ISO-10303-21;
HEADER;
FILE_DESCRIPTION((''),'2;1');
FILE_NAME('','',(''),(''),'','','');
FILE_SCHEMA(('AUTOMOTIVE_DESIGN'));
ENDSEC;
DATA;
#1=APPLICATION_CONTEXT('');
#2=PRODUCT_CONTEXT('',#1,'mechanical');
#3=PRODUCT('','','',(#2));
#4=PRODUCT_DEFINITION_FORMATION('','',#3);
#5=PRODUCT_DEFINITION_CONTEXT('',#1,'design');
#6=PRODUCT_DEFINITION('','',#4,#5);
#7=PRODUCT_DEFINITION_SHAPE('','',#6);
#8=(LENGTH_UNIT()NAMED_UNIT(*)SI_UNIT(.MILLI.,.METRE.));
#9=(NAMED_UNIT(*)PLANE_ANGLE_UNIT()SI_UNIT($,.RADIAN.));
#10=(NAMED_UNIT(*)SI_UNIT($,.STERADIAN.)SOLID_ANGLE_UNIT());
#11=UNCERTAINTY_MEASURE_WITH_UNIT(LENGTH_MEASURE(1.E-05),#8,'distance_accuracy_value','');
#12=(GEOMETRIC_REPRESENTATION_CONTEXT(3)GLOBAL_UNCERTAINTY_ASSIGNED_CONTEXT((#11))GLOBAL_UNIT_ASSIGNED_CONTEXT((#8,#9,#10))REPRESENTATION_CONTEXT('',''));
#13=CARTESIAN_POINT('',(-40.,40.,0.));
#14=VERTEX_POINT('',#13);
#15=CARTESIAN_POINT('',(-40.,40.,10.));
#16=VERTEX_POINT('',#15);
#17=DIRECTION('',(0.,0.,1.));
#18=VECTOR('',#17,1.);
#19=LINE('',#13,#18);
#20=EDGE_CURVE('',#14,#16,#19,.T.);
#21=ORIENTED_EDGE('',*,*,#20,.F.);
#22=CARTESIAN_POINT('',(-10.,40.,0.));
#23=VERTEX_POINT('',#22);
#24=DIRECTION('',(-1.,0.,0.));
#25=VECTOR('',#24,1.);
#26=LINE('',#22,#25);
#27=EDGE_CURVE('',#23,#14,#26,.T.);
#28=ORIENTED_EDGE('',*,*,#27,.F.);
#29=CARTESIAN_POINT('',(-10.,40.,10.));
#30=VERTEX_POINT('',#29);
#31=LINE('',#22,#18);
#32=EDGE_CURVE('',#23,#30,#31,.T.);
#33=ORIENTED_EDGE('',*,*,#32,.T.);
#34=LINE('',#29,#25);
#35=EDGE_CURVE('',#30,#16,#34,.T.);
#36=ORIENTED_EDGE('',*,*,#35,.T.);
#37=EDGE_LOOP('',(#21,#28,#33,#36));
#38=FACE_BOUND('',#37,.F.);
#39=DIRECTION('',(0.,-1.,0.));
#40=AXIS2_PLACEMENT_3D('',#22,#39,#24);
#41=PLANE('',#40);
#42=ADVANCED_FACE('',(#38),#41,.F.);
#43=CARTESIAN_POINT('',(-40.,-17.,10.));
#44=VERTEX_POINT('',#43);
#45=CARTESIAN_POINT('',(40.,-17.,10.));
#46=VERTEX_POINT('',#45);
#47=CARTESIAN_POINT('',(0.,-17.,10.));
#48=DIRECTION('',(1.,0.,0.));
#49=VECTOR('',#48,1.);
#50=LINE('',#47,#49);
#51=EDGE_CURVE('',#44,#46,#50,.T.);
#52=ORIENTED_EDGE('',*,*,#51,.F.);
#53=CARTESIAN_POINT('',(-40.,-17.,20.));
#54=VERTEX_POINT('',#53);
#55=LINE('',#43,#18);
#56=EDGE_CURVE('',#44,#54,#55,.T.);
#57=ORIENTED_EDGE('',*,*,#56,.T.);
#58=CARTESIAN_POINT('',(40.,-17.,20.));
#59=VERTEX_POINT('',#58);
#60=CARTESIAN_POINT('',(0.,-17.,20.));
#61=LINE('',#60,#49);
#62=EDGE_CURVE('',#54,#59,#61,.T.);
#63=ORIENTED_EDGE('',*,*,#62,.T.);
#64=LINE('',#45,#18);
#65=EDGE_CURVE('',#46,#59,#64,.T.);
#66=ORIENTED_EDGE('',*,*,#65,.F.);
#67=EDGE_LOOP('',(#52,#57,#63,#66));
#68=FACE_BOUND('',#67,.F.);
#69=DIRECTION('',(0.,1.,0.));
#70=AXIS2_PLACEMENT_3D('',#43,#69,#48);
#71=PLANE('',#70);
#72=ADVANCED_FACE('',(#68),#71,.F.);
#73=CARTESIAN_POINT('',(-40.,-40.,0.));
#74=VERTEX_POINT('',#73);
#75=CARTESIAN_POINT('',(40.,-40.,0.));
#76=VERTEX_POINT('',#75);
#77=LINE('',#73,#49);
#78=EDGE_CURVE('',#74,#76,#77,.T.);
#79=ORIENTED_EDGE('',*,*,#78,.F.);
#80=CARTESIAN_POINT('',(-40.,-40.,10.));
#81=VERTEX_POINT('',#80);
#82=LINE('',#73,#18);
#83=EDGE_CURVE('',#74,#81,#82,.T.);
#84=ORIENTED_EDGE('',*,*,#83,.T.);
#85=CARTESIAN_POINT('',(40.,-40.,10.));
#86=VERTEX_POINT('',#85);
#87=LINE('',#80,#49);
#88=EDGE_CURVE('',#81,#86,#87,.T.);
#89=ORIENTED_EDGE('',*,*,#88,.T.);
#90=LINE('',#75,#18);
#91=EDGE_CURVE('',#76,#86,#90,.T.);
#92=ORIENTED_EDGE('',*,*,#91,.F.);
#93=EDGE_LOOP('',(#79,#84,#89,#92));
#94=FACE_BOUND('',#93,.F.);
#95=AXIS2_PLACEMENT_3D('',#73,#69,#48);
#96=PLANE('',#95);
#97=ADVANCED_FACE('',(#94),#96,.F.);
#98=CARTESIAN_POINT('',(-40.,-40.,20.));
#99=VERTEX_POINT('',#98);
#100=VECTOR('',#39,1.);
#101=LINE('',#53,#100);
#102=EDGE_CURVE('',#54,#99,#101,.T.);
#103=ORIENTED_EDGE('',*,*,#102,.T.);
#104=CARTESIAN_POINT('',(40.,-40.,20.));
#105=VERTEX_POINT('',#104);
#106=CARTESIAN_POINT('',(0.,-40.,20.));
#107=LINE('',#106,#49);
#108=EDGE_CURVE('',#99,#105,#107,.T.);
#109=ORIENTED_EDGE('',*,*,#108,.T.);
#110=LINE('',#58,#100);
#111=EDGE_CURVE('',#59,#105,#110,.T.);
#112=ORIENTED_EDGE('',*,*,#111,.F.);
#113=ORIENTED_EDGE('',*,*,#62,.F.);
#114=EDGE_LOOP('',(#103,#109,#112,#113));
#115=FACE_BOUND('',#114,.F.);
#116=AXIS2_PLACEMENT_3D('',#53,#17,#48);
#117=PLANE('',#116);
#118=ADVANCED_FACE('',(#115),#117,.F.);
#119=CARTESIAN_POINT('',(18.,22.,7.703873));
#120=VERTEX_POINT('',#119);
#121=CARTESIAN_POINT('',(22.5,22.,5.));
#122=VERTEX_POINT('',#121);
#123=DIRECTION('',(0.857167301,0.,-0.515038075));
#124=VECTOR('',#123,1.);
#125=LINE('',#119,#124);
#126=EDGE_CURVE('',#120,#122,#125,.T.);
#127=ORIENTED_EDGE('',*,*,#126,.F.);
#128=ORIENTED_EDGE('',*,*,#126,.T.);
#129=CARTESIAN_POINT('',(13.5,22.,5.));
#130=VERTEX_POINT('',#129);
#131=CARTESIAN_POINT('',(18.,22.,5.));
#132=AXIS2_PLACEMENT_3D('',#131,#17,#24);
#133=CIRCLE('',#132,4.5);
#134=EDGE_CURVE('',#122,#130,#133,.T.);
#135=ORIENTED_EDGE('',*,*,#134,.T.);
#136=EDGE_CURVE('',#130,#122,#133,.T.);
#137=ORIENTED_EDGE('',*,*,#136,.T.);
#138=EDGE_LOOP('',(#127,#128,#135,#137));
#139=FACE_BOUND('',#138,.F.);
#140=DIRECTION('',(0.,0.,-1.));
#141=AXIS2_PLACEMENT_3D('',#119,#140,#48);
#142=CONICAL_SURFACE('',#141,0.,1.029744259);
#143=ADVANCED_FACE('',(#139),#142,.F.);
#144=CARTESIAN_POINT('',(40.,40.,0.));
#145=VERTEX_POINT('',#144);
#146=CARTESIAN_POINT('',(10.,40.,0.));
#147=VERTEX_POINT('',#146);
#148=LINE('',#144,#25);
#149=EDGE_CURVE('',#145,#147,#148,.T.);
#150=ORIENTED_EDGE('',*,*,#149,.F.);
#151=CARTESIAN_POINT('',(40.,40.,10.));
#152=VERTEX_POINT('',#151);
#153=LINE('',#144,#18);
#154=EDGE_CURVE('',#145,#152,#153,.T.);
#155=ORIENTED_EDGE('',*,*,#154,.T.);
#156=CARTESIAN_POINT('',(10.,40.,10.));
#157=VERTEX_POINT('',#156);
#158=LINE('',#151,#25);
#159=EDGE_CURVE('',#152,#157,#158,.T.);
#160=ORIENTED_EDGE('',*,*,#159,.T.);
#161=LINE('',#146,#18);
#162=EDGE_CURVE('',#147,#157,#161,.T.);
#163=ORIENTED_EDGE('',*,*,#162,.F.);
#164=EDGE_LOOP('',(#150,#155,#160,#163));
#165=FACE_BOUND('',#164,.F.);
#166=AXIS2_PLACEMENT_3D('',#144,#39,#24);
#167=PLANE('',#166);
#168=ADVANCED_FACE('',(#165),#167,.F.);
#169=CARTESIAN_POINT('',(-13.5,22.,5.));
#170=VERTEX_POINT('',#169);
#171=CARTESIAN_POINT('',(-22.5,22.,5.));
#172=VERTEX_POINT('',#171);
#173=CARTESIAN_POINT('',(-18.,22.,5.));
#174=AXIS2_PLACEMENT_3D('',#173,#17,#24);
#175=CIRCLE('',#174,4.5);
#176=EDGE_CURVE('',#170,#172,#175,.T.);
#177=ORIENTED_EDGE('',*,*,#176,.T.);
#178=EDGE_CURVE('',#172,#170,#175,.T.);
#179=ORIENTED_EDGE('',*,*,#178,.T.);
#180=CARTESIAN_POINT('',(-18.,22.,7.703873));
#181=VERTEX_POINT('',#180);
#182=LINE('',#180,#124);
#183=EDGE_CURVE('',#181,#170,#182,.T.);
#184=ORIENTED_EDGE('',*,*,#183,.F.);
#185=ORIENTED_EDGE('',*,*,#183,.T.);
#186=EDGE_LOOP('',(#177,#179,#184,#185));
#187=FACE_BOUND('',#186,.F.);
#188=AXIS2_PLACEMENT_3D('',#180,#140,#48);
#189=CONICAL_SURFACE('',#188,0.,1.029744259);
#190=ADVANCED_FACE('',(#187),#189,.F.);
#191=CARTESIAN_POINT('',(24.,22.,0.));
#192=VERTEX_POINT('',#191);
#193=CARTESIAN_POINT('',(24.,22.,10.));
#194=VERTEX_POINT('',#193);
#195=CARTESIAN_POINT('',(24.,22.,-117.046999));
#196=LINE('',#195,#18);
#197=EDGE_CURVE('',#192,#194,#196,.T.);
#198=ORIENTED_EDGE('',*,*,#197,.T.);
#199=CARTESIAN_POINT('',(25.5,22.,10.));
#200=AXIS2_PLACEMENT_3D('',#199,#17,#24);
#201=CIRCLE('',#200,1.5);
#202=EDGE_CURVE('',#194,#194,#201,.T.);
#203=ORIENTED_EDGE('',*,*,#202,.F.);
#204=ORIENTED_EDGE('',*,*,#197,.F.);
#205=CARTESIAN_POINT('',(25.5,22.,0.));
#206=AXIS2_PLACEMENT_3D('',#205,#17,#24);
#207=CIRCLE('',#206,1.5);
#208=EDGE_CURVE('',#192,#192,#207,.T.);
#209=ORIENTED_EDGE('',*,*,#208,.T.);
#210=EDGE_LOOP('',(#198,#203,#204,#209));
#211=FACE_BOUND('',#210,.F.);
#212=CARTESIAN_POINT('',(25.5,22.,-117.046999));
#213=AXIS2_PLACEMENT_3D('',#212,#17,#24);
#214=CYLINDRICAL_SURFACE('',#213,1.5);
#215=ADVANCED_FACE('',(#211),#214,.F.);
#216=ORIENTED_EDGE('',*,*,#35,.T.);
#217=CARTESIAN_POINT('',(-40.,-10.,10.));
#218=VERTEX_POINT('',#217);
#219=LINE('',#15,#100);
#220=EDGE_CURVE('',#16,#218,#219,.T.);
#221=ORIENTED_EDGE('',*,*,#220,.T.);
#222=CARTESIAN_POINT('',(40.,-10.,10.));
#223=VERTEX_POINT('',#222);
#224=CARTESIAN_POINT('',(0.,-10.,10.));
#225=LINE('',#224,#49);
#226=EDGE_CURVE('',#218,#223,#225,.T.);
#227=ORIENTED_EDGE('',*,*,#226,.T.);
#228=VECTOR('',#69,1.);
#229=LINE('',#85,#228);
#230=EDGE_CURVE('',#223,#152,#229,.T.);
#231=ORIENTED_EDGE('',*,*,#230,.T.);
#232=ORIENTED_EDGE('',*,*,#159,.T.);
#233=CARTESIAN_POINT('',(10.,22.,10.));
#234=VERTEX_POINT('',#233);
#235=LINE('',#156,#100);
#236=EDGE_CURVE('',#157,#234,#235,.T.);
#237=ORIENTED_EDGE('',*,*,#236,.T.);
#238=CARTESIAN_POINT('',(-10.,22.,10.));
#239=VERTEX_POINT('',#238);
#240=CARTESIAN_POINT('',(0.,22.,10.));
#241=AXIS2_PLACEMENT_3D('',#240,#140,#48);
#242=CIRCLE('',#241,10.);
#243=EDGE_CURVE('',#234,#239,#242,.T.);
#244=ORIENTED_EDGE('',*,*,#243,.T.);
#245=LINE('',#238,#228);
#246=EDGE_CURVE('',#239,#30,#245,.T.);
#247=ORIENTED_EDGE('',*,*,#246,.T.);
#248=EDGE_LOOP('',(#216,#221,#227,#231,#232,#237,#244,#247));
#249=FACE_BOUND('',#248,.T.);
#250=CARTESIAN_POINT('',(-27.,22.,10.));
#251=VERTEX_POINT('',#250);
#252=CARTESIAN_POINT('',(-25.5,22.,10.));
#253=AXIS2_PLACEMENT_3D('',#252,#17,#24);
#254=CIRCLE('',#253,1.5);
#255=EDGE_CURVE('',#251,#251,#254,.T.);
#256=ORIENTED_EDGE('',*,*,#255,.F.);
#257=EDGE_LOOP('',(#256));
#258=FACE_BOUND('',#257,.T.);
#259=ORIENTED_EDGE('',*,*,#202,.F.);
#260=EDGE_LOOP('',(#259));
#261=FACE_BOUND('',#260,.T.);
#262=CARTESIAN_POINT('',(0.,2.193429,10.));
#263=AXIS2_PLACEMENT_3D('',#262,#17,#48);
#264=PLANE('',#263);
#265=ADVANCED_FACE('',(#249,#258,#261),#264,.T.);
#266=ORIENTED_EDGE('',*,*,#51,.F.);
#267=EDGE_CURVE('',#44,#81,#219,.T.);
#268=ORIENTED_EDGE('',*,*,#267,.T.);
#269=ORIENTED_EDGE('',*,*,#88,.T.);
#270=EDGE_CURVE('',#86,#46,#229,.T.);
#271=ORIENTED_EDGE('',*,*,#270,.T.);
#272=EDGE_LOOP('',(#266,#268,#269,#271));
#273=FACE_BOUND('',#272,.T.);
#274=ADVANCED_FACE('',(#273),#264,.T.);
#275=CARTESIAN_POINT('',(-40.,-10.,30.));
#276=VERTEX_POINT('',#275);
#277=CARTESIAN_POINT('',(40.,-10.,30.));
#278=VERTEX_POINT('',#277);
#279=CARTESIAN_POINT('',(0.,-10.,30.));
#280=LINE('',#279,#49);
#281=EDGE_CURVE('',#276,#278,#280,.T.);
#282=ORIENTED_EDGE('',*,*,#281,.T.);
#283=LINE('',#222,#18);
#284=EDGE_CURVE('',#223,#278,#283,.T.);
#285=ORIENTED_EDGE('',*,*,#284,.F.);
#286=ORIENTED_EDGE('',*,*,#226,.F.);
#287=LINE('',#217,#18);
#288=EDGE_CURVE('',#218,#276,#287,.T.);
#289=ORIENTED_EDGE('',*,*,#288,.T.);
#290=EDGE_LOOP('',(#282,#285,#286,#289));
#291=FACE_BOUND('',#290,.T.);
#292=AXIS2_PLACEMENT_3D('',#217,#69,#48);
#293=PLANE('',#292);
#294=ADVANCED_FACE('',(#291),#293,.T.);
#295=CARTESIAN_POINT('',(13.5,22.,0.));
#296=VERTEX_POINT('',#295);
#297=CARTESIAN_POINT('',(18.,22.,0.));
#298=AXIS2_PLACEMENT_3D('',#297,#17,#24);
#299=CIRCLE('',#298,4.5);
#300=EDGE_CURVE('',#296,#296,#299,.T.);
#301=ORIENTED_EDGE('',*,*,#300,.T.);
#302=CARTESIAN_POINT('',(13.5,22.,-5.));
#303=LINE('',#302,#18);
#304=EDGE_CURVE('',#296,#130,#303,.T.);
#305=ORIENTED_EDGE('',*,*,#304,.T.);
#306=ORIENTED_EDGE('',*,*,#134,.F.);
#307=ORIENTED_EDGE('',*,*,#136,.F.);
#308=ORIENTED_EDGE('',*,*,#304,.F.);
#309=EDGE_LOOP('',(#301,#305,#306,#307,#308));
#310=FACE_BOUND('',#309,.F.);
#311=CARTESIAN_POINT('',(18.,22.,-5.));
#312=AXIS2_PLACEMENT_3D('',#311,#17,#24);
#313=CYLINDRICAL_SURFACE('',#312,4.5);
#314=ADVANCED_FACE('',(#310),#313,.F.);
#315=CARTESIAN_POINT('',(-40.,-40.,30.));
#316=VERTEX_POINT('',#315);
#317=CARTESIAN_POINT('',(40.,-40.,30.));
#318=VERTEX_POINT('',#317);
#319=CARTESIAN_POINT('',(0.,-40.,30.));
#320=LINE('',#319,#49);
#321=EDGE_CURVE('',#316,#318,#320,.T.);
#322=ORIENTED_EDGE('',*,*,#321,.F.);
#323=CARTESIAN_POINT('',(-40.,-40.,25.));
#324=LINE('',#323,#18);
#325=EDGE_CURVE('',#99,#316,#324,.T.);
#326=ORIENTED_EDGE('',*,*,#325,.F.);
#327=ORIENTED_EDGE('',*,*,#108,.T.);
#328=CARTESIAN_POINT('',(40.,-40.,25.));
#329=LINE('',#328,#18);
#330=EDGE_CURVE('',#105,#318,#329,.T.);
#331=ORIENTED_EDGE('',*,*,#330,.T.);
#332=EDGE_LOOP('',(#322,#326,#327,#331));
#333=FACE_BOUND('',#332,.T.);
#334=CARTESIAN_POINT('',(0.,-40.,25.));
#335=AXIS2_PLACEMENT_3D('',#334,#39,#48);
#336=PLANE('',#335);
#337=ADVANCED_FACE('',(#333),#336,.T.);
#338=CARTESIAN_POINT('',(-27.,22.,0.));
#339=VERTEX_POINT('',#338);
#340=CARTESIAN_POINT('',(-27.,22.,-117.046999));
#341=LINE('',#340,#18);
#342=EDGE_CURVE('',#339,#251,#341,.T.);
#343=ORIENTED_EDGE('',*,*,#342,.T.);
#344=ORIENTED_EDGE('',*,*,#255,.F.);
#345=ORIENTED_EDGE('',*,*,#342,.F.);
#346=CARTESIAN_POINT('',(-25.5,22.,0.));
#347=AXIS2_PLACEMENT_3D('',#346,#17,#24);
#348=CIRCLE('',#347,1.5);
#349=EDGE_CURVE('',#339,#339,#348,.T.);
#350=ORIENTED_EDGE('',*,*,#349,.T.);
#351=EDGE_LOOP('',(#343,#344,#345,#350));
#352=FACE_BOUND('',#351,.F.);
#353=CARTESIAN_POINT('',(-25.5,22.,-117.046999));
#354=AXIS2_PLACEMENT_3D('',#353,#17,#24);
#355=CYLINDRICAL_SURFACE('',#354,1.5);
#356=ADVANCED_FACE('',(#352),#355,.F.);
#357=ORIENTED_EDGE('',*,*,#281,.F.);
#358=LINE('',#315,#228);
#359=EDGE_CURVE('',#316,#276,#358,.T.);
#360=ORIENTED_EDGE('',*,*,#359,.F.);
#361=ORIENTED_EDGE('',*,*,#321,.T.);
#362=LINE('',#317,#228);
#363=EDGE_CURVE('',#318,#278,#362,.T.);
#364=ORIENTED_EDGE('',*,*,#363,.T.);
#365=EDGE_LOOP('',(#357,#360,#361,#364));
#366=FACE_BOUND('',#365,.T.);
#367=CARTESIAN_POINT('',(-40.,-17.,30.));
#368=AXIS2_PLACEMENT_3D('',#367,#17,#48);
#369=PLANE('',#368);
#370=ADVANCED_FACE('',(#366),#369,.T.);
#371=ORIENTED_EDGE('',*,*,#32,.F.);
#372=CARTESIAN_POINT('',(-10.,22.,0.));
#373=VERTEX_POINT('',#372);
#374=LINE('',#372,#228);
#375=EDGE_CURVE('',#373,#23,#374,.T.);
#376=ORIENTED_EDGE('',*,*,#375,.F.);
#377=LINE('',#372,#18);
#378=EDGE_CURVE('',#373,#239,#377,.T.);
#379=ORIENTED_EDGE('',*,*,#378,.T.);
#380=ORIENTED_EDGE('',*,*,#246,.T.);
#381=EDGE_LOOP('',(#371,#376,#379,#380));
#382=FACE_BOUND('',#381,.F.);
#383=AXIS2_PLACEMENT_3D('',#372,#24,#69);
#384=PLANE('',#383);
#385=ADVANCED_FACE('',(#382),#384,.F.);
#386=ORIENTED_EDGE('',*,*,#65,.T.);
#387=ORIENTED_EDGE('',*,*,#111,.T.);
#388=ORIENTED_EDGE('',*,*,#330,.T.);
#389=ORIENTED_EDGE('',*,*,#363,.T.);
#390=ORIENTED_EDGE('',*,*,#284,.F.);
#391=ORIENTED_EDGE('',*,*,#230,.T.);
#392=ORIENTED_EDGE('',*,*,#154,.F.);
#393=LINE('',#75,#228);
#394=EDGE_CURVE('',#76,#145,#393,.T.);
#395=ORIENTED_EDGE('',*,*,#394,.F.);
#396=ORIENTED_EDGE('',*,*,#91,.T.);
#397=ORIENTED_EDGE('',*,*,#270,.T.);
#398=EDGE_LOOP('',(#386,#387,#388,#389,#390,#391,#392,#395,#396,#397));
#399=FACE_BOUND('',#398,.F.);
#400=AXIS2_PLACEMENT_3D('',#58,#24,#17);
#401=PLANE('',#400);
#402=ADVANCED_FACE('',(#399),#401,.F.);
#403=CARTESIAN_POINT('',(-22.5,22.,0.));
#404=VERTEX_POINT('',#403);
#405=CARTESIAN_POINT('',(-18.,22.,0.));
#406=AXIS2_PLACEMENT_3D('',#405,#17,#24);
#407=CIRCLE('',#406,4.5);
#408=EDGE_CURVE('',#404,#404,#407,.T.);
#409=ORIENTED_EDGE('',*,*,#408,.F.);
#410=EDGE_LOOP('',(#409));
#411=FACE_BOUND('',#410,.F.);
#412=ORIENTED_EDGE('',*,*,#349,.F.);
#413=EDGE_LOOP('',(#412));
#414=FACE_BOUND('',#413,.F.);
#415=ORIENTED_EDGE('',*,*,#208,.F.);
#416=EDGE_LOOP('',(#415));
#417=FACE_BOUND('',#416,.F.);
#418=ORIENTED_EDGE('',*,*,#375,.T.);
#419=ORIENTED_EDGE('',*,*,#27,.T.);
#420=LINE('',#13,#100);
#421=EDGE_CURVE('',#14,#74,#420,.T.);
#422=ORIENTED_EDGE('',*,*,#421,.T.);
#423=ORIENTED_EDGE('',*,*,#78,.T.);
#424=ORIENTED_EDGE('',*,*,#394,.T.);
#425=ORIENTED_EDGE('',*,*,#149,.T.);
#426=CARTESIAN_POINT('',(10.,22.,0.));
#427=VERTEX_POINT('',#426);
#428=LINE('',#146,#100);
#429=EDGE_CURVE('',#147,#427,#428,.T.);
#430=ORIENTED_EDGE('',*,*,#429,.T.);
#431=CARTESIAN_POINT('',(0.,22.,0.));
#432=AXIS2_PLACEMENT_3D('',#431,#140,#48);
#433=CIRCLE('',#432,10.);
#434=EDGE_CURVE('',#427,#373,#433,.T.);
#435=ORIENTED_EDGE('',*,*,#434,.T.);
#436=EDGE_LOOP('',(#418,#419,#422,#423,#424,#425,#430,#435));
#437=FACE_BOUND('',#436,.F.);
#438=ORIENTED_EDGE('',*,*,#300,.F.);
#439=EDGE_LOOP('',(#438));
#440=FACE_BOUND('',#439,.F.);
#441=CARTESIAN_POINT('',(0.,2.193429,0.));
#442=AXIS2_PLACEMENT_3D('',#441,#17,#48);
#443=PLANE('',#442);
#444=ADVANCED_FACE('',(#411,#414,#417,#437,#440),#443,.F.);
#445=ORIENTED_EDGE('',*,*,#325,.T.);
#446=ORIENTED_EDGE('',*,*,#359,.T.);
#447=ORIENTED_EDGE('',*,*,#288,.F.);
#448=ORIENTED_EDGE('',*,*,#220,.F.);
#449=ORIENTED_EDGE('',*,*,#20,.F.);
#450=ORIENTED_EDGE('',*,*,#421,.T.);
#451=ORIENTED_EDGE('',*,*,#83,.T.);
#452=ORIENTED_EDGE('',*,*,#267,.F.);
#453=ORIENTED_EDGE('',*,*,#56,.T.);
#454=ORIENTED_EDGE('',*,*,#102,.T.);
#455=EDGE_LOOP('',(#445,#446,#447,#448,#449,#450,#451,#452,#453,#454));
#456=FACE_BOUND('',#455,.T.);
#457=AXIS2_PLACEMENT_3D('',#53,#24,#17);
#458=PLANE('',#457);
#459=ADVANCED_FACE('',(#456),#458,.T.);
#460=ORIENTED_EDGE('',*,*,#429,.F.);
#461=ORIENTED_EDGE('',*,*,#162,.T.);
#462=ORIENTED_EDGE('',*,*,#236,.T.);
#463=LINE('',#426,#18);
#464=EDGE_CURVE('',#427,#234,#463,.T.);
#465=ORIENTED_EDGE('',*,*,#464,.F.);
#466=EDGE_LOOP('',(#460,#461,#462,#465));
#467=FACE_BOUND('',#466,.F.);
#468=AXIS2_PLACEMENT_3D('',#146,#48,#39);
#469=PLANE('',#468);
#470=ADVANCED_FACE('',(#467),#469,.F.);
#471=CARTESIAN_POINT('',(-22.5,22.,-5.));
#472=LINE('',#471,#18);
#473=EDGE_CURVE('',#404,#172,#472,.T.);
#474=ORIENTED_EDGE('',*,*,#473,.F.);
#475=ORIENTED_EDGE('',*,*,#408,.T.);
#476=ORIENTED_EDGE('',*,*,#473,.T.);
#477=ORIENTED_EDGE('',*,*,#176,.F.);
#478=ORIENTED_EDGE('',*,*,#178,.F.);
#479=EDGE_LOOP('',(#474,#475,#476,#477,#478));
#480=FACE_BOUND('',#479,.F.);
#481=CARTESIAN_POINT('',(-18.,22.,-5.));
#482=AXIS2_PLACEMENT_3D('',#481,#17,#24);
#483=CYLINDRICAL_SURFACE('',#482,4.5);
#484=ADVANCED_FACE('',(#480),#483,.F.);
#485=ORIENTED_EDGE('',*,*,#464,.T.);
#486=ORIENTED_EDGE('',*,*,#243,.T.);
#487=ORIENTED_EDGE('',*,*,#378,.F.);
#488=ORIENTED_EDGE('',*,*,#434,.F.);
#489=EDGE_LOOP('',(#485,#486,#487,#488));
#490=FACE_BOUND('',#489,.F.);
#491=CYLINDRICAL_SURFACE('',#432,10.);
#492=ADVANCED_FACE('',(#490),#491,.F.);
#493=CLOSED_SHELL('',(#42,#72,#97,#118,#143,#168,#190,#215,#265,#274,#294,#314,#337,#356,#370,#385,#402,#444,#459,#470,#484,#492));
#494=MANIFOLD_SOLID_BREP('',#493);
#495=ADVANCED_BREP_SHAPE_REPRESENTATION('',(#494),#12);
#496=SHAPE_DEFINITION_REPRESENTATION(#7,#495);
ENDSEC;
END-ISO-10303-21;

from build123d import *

# Parameters (mm, degrees)
F1_DEPTH = 10
F2_W     = 80
F2_H     = 7
F3_DEPTH = 20
F4_W     = 80
F4_H     = 10
F5_DEPTH = 23
F6_D     = 3
F7_D     = 3
F8_D     = 9
F8_DEPTH = 5
F8_TIP   = 2.7038727856


with BuildPart() as f1:
    # F0 (on Top) → F1 (new body)
    with BuildSketch(Plane.XY):
        with BuildLine():
            Line((-40, -40), (40, -40))
            Line((40, -40), (40, 40))
            Line((40, 40), (10, 40))
            Line((10, 40), (10, 22))
            ThreePointArc((10, 22), (0, 12), (-10, 22))
            Line((-10, 22), (-10, 40))
            Line((-10, 40), (-40, 40))
            Line((-40, 40), (-40, -40))
        make_face()
    extrude(amount=F1_DEPTH)

    # F2 (on face) → F3 (join)
    with BuildSketch(Plane.XY.offset(10)):
        with Locations((0, -13.5)):
            Rectangle(F2_W, F2_H)
    extrude(amount=F3_DEPTH)

    # F4 (on face) → F5 (join)
    with BuildSketch(Plane.XZ.offset(17)):
        with Locations((0, 25)):
            Rectangle(F4_W, F4_H)
    extrude(amount=F5_DEPTH)

    # F6 (through all)
    with Locations(Plane(origin=(0, 0, 0), x_dir=(1, 0, 0), z_dir=(0, 0, -1))):
        with Locations((25.5, -22)):
            Hole(F6_D / 2)

    # F7 (through all)
    with Locations(Plane(origin=(0, 0, 0), x_dir=(1, 0, 0), z_dir=(0, 0, -1))):
        with Locations((-25.5, -22)):
            Hole(F7_D / 2)

    # F8
    with Locations(Plane(origin=(0, 0, 0), x_dir=(1, 0, 0), z_dir=(0, 0, -1))):
        with Locations((18, -22), (-18, -22)):
            Hole(F8_D / 2, depth=F8_DEPTH)
            with Locations((0, 0, -(F8_DEPTH + F8_TIP / 2))):  # 118° drill point
                Cone(0, F8_D / 2, F8_TIP, mode=Mode.SUBTRACT)


solid = f1.part
